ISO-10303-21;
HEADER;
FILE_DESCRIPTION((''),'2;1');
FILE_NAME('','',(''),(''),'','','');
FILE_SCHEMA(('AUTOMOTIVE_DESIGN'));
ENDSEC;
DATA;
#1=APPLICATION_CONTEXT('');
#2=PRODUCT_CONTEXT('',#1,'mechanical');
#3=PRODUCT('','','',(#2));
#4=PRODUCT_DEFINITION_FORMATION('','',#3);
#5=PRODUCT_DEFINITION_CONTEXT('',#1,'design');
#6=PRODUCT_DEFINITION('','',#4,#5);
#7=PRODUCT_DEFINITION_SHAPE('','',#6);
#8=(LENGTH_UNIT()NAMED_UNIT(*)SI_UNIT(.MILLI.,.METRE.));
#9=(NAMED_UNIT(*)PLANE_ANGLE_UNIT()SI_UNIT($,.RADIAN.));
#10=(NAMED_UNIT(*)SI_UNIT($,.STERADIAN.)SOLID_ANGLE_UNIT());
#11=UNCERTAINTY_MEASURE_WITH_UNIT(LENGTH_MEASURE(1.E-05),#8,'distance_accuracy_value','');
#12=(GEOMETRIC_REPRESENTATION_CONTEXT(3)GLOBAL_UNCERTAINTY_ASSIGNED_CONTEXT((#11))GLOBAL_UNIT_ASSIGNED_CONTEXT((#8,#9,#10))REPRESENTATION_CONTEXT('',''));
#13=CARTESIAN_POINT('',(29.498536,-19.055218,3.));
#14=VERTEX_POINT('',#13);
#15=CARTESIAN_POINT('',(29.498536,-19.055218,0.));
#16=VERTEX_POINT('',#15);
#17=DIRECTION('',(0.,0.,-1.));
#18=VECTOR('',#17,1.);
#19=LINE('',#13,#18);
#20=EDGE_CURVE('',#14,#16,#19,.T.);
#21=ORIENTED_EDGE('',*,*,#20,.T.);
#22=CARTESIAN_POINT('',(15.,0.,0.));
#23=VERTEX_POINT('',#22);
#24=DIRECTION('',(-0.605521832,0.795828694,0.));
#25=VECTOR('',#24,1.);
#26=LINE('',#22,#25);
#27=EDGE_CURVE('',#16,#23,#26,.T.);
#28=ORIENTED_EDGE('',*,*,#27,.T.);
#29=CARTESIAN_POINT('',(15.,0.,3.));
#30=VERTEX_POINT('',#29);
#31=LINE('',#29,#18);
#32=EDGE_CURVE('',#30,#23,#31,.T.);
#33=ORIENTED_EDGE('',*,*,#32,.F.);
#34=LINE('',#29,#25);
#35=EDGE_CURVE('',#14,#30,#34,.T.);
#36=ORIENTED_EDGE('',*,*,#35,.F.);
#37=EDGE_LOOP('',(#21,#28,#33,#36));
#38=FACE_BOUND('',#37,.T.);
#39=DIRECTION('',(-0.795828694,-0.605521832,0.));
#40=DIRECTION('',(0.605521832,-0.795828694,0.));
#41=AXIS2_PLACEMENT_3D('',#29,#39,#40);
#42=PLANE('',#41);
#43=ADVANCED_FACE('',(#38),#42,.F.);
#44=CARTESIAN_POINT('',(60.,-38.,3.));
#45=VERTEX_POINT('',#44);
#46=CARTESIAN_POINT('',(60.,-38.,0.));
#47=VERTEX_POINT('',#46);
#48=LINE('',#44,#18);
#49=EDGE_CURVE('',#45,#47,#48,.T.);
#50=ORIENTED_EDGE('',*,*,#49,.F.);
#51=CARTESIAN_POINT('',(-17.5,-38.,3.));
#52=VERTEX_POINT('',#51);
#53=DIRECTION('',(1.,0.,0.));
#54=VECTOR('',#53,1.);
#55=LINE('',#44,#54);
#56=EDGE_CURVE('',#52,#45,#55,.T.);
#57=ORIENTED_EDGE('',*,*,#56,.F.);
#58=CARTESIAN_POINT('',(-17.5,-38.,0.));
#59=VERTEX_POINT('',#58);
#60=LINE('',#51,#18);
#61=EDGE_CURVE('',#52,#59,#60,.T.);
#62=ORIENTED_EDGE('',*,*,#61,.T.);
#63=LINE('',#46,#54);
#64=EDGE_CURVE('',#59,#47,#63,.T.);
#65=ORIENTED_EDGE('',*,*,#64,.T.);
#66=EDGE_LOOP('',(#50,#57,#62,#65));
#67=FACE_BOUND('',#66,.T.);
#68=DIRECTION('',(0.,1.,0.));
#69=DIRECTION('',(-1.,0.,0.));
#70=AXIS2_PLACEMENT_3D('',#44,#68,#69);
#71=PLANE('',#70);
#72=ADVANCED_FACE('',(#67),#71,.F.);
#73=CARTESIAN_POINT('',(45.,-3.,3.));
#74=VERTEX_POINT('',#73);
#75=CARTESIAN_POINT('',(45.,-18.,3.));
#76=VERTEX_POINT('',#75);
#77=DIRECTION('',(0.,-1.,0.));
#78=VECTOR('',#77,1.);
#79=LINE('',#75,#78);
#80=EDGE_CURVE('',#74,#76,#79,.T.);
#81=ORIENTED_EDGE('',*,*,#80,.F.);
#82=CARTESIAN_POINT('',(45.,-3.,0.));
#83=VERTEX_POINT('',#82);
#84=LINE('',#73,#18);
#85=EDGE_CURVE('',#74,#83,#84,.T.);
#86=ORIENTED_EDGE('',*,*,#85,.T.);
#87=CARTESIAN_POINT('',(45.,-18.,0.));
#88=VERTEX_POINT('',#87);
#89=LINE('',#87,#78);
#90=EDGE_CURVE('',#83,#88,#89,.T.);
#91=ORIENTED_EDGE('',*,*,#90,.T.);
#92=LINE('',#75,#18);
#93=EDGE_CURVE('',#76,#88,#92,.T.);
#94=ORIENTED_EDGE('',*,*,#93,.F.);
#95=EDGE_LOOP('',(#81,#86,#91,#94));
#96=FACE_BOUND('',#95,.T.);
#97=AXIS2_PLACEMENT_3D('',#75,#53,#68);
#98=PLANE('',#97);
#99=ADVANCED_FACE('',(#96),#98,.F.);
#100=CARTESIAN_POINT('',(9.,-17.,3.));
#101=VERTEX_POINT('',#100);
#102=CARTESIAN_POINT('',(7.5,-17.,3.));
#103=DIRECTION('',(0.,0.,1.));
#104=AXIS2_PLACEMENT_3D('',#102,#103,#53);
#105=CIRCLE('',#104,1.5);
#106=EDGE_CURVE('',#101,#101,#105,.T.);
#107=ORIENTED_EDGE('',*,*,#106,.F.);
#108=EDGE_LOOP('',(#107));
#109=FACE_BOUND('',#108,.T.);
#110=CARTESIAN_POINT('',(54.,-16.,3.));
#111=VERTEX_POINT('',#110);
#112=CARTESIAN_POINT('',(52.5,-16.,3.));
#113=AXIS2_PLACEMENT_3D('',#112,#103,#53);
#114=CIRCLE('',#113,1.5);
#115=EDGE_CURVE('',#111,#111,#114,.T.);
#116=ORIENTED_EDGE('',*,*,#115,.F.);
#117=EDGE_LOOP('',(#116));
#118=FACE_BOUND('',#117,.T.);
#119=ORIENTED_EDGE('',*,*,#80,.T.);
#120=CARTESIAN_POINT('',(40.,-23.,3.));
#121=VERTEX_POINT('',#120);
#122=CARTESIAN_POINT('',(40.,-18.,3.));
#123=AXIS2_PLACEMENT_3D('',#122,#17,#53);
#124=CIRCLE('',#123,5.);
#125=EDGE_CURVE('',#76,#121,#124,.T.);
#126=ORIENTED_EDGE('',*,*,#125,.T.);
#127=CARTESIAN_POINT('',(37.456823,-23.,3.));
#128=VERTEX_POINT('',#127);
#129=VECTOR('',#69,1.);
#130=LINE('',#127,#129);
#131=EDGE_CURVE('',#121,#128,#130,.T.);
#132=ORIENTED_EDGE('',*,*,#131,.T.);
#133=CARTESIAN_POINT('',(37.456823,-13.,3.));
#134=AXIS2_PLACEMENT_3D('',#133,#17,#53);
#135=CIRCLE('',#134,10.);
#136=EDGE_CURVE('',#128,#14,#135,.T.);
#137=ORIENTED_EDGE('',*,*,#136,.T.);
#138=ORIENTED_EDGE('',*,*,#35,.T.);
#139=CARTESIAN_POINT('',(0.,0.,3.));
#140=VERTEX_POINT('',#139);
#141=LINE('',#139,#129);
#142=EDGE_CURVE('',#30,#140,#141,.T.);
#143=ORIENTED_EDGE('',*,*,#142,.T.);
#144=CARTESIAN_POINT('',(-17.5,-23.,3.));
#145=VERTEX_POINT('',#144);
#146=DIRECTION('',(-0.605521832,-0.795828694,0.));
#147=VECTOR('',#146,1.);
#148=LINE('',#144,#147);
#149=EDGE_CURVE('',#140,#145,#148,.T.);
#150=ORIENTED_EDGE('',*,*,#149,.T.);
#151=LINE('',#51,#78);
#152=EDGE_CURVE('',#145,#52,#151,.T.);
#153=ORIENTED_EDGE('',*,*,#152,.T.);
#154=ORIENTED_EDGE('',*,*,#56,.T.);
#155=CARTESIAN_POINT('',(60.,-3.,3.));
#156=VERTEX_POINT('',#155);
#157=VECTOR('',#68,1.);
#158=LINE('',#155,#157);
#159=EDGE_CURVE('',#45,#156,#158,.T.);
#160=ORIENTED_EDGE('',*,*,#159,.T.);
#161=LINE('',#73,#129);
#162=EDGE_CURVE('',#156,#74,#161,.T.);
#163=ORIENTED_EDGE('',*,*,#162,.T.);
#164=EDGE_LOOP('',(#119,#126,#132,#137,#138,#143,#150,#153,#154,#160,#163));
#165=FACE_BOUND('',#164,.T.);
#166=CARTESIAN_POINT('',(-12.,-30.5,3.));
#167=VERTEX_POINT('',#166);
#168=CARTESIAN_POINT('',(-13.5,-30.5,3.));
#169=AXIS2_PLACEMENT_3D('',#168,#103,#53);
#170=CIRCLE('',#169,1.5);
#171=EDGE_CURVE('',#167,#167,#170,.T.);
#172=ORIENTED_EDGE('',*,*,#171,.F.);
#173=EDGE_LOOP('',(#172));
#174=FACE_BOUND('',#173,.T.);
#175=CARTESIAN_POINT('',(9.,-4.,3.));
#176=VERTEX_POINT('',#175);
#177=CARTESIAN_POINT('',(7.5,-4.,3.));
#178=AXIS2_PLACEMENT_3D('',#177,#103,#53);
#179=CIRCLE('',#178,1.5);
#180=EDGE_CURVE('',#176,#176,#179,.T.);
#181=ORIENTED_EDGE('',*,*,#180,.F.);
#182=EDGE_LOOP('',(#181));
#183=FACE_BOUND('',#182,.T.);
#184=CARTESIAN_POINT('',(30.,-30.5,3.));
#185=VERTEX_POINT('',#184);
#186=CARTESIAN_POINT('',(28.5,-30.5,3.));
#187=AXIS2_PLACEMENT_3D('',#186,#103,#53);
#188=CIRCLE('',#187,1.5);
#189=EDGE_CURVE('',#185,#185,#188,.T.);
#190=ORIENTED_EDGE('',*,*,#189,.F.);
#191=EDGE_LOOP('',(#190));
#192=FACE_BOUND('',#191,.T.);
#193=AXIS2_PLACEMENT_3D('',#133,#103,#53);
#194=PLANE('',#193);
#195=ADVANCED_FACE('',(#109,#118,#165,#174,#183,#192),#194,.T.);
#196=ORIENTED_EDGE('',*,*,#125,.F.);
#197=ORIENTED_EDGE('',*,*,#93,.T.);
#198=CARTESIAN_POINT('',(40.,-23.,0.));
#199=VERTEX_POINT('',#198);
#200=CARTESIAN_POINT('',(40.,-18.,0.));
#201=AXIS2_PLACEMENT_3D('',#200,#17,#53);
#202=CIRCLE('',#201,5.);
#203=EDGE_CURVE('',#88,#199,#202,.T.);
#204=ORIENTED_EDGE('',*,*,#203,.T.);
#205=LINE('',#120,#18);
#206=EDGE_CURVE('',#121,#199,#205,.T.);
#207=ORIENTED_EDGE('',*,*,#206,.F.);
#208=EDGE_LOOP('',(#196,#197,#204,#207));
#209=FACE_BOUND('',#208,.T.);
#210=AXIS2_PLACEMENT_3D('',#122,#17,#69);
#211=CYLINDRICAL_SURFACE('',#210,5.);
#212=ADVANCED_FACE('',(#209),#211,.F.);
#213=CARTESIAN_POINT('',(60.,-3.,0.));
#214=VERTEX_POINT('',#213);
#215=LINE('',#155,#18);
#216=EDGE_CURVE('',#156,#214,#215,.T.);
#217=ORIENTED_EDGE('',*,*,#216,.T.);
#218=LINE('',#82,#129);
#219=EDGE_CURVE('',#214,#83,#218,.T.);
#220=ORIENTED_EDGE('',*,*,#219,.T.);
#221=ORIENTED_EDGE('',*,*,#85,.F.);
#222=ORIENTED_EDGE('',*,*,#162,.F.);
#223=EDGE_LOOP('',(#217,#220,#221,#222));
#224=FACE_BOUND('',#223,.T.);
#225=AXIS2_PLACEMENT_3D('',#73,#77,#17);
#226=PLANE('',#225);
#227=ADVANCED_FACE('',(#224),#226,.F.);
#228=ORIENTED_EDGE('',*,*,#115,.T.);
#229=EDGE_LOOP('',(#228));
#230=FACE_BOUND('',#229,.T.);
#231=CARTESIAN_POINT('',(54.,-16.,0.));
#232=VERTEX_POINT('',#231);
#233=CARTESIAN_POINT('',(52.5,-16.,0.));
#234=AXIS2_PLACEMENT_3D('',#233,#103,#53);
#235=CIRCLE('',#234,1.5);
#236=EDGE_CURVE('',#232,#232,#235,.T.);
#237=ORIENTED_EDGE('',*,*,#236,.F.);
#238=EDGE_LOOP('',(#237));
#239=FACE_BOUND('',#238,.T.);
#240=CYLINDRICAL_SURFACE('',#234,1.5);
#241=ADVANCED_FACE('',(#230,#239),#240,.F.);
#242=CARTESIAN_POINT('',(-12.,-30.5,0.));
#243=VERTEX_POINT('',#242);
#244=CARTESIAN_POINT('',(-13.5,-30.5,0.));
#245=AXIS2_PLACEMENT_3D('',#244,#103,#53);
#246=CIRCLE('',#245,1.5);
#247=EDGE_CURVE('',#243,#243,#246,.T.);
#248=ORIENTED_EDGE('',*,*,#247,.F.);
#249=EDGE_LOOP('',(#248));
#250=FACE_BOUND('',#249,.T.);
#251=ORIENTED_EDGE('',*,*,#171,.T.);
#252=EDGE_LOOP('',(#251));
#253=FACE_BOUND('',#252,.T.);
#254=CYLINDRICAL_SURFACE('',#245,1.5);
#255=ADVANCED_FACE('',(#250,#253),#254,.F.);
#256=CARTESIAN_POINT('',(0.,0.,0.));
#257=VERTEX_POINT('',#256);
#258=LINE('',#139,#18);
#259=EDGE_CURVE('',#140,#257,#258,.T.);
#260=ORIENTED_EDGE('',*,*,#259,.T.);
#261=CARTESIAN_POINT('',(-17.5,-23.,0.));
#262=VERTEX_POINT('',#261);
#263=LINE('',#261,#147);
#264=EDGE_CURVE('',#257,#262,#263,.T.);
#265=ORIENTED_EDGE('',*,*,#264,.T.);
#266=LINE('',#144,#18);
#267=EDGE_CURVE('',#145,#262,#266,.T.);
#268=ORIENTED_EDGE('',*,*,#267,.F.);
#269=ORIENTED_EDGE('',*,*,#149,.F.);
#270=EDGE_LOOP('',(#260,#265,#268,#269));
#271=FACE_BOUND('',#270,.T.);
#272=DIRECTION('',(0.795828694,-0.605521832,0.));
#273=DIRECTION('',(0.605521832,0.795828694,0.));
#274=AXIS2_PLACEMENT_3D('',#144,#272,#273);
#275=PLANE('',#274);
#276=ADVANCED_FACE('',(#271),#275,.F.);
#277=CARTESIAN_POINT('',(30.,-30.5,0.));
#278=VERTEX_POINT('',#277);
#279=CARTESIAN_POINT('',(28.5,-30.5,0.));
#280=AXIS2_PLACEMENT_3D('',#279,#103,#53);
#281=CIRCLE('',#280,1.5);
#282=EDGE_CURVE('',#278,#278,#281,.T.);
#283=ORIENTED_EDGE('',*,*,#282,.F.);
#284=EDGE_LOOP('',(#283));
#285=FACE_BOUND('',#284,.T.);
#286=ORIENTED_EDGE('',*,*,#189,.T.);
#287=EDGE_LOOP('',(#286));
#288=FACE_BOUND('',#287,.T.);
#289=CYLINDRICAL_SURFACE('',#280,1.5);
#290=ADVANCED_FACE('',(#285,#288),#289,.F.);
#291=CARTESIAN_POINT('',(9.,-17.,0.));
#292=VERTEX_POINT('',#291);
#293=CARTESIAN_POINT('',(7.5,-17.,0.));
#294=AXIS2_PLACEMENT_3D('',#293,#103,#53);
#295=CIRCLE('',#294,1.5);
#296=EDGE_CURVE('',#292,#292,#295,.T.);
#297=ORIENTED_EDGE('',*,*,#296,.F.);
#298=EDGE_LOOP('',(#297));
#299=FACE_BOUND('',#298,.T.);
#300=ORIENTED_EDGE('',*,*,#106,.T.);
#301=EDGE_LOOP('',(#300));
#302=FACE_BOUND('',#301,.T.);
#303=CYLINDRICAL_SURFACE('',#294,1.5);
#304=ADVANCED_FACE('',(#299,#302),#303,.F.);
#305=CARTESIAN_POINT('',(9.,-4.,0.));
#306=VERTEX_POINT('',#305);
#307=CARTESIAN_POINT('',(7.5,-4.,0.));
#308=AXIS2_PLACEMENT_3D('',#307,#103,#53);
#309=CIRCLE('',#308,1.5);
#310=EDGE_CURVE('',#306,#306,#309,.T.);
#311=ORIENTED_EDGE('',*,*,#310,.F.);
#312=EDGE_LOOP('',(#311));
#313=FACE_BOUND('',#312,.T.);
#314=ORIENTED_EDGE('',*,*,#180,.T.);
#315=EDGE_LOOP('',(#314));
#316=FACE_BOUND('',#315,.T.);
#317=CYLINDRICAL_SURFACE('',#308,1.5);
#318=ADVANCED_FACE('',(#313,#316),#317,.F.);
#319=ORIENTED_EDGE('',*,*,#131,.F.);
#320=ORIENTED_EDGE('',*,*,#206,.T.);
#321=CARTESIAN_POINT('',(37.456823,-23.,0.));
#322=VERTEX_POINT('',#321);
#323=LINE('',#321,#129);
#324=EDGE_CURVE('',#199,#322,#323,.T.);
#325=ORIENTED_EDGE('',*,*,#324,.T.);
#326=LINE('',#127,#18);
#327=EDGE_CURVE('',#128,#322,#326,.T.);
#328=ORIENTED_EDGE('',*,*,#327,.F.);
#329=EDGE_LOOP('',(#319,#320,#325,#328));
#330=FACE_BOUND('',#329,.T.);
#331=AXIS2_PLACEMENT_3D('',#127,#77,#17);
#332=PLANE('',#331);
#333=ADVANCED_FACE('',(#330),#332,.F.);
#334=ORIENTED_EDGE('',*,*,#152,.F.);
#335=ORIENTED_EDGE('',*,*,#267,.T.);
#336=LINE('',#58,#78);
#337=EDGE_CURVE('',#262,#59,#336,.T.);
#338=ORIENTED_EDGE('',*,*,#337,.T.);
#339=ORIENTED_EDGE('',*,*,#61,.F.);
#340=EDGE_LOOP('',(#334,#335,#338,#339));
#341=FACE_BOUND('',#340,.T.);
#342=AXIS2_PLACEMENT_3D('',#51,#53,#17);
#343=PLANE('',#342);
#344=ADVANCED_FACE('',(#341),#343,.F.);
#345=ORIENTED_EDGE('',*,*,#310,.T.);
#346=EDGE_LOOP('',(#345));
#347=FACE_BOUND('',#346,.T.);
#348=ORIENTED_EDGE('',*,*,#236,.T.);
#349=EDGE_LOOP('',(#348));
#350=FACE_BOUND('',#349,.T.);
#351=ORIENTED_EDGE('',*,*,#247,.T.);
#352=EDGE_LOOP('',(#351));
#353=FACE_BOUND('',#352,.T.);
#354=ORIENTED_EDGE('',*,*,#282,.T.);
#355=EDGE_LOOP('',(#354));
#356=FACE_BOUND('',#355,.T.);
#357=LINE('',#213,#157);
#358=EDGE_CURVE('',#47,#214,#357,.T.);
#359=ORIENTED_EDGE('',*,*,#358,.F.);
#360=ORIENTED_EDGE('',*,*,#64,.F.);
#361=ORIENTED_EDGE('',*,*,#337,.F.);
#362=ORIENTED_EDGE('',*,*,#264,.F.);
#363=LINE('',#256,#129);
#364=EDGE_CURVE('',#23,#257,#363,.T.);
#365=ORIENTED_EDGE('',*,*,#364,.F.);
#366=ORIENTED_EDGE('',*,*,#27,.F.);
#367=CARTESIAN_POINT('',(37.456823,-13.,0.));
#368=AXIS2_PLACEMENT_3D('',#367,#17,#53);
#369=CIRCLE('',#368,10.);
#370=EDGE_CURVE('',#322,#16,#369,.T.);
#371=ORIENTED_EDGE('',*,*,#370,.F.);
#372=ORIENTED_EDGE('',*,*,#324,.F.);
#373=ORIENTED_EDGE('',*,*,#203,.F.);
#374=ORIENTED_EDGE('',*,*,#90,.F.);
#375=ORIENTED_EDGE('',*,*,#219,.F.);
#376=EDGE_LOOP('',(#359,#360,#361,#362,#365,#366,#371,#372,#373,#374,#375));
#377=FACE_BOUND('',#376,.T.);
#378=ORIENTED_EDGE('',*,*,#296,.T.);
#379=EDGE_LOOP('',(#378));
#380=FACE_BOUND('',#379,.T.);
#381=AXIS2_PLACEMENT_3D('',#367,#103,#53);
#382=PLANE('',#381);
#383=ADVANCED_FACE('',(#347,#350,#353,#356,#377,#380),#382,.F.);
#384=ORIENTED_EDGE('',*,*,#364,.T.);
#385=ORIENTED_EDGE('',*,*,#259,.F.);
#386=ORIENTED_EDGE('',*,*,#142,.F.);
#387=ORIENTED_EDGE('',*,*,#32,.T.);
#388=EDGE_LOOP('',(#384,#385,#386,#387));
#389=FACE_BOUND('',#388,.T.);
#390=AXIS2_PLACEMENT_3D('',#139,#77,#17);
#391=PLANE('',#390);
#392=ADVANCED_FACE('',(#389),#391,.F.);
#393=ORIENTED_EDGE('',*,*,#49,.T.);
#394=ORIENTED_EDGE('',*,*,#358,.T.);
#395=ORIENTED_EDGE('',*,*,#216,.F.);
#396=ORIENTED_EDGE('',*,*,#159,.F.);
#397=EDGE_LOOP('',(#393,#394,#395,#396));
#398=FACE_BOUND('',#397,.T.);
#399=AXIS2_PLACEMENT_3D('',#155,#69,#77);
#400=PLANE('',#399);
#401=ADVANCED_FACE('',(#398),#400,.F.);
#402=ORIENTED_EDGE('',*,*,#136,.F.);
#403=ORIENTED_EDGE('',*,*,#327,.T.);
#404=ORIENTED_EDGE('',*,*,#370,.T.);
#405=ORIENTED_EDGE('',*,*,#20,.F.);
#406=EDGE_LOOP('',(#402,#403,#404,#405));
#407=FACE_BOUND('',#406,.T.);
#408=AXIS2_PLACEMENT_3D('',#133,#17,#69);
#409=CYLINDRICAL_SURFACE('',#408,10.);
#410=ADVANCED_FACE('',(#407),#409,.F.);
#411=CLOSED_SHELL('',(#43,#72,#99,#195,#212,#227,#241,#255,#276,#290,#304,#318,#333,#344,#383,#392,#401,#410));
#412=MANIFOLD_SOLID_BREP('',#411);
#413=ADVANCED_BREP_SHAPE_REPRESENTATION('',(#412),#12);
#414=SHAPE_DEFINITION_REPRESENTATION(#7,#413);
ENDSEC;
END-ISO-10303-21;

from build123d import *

# Parameters (mm, degrees)
EXTRUDE_1_DEPTH     = 3
SKETCH_2_R          = 1.5
CUT_EXTRUDE_1_DEPTH = 3


with BuildPart() as part:
    # 草图1 → 凸台-拉伸1 (new body)
    with BuildSketch(Plane.XY):
        with BuildLine():
            Line((0, 0), (15, 0))
            Line((15, 0), (29.498535682, -19.055218325))
            ThreePointArc((29.498535682, -19.055218325), (33.015661922, -21.959692608), (37.456822623, -23))
            Line((37.456822623, -23), (40, -23))
            ThreePointArc((40, -23), (43.535533906, -21.535533906), (45, -18))
            Line((45, -18), (45, -3))
            Line((45, -3), (60, -3))
            Line((60, -3), (60, -38))
            Line((60, -38), (-17.5, -38))
            Line((-17.5, -38), (-17.5, -23))
            Line((-17.5, -23), (0, 0))
        make_face()
    extrude(amount=EXTRUDE_1_DEPTH)

    # 草图2 → 切除-拉伸1 (cut)
    with BuildSketch(Plane.XY.offset(3)):
        with Locations((-13.5, -30.5)):
            Circle(SKETCH_2_R)
        with Locations((28.5, -30.5)):
            Circle(SKETCH_2_R)
        with Locations((7.5, -4)):
            Circle(SKETCH_2_R)
        with Locations((7.5, -17)):
            Circle(SKETCH_2_R)
        with Locations((52.5, -16)):
            Circle(SKETCH_2_R)
    extrude(amount=-CUT_EXTRUDE_1_DEPTH, mode=Mode.SUBTRACT)


solid = part.part
